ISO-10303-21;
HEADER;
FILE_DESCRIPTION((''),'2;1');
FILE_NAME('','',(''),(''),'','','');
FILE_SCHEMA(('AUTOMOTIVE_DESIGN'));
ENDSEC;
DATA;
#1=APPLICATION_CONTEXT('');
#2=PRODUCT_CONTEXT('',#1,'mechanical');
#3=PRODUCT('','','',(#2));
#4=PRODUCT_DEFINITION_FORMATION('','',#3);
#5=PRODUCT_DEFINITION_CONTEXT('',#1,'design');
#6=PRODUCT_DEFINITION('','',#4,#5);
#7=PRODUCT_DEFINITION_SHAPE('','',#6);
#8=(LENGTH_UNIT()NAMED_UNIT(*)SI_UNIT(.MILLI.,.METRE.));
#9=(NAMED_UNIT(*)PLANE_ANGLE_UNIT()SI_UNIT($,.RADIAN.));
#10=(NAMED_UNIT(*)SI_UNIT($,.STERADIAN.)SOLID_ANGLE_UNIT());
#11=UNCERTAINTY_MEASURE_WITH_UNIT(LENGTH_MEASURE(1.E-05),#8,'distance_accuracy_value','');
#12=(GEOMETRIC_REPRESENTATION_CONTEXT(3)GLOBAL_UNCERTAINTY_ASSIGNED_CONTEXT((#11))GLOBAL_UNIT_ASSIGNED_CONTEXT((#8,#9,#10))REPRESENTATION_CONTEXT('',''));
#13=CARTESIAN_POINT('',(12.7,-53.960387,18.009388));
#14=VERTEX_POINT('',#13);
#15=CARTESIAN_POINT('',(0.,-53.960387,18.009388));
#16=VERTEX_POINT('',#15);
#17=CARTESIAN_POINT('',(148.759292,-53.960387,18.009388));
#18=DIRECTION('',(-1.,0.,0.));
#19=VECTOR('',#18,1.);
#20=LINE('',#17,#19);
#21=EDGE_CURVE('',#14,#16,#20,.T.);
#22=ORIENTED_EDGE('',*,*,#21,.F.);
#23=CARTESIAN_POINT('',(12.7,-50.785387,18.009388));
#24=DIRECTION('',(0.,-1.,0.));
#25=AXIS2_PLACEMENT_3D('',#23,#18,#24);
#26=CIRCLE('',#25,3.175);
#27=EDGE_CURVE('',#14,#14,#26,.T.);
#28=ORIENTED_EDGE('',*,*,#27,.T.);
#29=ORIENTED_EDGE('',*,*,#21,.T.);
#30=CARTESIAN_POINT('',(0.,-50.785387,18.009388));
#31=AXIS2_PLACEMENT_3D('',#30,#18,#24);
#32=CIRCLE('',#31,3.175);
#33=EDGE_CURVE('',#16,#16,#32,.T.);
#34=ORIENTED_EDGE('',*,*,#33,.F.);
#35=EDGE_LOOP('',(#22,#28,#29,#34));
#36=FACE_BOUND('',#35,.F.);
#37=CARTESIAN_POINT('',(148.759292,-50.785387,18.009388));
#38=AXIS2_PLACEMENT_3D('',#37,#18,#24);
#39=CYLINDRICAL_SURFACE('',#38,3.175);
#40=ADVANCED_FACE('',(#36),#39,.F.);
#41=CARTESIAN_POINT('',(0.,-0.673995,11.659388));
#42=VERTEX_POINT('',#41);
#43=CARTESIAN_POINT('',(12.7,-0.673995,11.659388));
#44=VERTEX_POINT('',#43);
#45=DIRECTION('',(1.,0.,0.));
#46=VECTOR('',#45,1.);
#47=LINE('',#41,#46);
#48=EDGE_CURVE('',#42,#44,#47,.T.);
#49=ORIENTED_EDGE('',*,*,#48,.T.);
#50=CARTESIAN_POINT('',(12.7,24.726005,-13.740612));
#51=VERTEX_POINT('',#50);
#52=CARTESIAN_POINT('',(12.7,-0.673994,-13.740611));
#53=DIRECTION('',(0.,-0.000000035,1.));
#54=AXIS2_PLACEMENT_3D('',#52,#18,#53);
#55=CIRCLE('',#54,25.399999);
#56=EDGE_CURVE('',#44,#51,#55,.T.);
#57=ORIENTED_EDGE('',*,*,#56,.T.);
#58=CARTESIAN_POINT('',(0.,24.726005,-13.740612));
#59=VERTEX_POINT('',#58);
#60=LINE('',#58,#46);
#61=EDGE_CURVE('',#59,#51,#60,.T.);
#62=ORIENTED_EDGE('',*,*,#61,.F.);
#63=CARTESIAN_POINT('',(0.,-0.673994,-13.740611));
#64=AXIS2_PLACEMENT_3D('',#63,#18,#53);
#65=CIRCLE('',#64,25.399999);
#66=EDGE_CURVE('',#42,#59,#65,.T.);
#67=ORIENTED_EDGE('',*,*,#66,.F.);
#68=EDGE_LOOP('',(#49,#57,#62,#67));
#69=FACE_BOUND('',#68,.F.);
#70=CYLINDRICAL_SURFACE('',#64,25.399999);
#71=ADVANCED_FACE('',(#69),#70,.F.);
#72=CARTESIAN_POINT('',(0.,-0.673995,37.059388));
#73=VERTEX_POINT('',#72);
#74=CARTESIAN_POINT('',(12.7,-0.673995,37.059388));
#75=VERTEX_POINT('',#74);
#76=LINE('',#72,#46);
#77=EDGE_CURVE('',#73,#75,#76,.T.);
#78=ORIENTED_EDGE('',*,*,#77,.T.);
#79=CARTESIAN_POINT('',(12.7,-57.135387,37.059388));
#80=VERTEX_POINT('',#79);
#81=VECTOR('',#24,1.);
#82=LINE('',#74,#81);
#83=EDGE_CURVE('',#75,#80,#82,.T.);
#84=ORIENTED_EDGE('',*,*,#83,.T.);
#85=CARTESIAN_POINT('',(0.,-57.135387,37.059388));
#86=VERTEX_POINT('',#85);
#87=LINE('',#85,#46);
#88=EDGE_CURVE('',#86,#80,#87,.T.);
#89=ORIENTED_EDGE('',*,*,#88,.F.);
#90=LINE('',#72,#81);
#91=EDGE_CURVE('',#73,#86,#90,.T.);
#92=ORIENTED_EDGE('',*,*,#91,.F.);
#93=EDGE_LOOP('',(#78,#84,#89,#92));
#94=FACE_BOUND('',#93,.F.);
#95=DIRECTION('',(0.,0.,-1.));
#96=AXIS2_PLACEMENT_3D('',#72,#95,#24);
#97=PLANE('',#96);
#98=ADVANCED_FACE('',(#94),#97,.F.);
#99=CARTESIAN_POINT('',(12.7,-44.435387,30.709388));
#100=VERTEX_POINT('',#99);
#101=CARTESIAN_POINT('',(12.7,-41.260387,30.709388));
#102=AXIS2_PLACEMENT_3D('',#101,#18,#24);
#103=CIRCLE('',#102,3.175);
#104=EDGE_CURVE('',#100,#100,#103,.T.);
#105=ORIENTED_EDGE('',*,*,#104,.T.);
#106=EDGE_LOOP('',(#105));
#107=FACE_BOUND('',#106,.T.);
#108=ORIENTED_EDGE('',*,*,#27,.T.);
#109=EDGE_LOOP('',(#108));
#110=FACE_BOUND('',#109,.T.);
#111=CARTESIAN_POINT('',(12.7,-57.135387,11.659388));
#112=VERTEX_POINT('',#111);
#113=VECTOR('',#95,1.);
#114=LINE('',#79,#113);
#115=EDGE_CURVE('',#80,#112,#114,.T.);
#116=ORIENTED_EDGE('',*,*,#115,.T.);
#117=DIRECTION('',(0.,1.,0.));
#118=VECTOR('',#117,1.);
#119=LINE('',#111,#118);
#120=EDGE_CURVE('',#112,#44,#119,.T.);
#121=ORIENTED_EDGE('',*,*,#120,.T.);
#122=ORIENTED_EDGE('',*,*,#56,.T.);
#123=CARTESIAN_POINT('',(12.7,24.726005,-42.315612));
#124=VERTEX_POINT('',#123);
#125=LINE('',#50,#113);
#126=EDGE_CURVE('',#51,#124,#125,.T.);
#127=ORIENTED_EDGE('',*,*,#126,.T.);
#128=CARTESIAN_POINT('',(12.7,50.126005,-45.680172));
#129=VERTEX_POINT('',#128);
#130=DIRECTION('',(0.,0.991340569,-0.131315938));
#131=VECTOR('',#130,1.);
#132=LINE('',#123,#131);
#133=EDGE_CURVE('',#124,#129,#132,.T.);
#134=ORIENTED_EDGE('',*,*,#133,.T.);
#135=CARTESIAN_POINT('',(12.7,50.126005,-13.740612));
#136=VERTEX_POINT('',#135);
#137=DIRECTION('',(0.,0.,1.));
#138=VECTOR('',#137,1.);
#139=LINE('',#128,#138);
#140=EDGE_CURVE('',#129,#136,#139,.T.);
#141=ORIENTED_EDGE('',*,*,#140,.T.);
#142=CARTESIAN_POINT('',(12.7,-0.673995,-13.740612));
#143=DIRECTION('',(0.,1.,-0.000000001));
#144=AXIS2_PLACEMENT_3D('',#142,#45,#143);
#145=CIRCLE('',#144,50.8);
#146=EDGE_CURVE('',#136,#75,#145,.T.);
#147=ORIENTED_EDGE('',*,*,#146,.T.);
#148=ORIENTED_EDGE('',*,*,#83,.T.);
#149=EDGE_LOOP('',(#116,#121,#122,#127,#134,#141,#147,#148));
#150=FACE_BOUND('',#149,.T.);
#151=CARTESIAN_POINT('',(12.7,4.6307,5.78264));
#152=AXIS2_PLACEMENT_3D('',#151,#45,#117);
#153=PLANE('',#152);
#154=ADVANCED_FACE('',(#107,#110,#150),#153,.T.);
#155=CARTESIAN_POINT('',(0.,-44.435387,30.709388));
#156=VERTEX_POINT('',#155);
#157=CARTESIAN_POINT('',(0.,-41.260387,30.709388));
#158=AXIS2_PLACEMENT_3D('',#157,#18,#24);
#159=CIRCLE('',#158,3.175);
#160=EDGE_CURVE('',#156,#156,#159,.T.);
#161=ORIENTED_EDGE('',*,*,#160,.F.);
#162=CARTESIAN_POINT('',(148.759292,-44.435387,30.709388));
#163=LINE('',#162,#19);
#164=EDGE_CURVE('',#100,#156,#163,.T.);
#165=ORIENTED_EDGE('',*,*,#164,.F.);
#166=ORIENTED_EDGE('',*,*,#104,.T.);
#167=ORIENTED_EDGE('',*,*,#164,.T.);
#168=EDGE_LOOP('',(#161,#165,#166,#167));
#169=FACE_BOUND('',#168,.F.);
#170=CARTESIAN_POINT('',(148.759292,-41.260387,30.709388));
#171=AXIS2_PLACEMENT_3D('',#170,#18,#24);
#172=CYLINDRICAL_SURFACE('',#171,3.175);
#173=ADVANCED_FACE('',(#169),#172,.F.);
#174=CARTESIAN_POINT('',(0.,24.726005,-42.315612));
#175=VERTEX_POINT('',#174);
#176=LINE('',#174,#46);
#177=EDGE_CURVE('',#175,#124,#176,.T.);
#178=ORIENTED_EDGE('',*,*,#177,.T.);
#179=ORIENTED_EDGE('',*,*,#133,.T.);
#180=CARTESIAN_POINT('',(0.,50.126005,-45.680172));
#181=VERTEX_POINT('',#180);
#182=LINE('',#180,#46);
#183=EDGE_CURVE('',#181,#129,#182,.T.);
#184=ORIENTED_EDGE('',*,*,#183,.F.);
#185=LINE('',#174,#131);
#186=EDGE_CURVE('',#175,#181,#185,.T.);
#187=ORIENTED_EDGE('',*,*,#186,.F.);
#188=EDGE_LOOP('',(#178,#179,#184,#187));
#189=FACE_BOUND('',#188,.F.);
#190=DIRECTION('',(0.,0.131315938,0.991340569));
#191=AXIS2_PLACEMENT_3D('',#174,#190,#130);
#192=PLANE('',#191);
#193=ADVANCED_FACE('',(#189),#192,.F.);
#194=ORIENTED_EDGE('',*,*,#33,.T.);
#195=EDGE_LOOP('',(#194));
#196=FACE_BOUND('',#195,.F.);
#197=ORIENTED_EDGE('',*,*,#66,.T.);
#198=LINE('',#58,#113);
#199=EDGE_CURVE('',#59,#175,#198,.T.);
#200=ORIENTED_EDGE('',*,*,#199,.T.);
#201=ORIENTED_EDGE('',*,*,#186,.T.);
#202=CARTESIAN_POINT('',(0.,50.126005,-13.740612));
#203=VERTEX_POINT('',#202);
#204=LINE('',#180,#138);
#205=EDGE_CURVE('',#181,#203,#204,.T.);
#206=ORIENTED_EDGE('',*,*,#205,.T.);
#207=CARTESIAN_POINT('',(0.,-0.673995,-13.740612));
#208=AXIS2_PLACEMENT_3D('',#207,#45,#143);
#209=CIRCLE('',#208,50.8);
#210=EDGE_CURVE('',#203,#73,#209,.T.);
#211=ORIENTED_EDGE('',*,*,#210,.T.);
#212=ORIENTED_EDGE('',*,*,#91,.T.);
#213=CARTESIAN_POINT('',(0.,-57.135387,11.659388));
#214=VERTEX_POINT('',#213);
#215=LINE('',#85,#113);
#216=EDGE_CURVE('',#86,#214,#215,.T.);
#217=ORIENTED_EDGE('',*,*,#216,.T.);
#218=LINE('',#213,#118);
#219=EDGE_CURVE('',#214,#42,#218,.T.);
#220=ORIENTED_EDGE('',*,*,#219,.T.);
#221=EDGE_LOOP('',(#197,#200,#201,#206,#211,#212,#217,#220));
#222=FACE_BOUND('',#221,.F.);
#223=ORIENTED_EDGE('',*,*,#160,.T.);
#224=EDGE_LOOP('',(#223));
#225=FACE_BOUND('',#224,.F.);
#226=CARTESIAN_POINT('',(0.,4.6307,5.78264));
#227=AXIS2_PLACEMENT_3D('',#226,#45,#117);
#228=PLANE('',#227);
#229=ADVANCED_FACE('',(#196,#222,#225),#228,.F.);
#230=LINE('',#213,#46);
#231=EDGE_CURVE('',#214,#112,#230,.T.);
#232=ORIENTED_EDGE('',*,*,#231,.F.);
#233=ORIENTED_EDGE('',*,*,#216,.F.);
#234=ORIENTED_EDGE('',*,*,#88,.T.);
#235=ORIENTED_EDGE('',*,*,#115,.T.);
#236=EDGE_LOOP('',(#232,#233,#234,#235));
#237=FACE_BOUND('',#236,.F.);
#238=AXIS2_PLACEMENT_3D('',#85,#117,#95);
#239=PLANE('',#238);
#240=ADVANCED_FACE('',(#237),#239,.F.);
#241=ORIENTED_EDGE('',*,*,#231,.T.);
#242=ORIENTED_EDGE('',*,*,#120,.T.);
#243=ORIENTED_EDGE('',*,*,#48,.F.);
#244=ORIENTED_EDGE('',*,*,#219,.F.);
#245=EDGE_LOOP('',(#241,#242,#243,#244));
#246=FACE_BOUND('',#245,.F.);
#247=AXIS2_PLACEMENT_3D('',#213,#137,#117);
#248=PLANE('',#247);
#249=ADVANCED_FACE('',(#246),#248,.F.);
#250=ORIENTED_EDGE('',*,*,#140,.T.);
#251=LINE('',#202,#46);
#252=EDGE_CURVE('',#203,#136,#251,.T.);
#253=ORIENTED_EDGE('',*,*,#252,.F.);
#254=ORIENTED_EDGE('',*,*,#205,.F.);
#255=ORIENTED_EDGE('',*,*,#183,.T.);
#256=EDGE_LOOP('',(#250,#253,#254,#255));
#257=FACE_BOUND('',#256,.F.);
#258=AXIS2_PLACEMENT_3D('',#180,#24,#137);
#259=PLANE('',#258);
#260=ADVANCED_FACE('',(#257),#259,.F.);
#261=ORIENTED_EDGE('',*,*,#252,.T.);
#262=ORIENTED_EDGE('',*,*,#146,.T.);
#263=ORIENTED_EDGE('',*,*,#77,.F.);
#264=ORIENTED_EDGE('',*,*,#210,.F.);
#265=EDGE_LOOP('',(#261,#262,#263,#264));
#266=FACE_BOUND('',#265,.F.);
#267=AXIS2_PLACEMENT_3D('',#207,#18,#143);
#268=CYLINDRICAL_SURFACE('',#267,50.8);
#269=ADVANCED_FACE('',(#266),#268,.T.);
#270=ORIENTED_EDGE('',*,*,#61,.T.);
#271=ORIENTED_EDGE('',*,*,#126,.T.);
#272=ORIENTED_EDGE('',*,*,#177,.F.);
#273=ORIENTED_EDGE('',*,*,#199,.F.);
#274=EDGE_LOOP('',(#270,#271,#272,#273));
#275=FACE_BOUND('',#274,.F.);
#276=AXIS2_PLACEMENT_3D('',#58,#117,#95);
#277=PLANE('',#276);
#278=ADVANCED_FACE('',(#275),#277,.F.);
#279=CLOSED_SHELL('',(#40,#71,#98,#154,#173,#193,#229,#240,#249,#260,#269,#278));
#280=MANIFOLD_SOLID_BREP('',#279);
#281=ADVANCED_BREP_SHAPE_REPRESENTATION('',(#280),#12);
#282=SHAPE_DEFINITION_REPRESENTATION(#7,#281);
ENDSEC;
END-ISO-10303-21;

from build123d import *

# Parameters (mm, degrees)
F1_DEPTH = 12.7
F3_D     = 6.35


with BuildPart() as f1:
    # F0 (on Right) → F1 (new body)
    with BuildSketch(Plane.YZ):
        with BuildLine():
            Line((-57.135387, 37.059388), (-57.135387, 11.659388))
            Line((-57.135387, 11.659388), (-0.673995, 11.659388))
            ThreePointArc((-0.673995, 11.659388), (17.286517, 4.219901), (24.726005, -13.740612))
            Line((24.726005, -13.740612), (24.726005, -42.315612))
            Line((24.726005, -42.315612), (50.126005, -45.680172))
            Line((50.126005, -45.680172), (50.126005, -13.740612))
            ThreePointArc((50.126005, -13.740612), (35.247029, 22.180413), (-0.673995, 37.059388))
            Line((-0.673995, 37.059388), (-57.135387, 37.059388))
        make_face()
    extrude(amount=F1_DEPTH)

    # F3 (through all)
    with Locations(Plane.YZ.offset(12.7)):
        with Locations((-50.785387, 18.009388), (-41.260387, 30.709388)):
            Hole(F3_D / 2)


solid = f1.part
